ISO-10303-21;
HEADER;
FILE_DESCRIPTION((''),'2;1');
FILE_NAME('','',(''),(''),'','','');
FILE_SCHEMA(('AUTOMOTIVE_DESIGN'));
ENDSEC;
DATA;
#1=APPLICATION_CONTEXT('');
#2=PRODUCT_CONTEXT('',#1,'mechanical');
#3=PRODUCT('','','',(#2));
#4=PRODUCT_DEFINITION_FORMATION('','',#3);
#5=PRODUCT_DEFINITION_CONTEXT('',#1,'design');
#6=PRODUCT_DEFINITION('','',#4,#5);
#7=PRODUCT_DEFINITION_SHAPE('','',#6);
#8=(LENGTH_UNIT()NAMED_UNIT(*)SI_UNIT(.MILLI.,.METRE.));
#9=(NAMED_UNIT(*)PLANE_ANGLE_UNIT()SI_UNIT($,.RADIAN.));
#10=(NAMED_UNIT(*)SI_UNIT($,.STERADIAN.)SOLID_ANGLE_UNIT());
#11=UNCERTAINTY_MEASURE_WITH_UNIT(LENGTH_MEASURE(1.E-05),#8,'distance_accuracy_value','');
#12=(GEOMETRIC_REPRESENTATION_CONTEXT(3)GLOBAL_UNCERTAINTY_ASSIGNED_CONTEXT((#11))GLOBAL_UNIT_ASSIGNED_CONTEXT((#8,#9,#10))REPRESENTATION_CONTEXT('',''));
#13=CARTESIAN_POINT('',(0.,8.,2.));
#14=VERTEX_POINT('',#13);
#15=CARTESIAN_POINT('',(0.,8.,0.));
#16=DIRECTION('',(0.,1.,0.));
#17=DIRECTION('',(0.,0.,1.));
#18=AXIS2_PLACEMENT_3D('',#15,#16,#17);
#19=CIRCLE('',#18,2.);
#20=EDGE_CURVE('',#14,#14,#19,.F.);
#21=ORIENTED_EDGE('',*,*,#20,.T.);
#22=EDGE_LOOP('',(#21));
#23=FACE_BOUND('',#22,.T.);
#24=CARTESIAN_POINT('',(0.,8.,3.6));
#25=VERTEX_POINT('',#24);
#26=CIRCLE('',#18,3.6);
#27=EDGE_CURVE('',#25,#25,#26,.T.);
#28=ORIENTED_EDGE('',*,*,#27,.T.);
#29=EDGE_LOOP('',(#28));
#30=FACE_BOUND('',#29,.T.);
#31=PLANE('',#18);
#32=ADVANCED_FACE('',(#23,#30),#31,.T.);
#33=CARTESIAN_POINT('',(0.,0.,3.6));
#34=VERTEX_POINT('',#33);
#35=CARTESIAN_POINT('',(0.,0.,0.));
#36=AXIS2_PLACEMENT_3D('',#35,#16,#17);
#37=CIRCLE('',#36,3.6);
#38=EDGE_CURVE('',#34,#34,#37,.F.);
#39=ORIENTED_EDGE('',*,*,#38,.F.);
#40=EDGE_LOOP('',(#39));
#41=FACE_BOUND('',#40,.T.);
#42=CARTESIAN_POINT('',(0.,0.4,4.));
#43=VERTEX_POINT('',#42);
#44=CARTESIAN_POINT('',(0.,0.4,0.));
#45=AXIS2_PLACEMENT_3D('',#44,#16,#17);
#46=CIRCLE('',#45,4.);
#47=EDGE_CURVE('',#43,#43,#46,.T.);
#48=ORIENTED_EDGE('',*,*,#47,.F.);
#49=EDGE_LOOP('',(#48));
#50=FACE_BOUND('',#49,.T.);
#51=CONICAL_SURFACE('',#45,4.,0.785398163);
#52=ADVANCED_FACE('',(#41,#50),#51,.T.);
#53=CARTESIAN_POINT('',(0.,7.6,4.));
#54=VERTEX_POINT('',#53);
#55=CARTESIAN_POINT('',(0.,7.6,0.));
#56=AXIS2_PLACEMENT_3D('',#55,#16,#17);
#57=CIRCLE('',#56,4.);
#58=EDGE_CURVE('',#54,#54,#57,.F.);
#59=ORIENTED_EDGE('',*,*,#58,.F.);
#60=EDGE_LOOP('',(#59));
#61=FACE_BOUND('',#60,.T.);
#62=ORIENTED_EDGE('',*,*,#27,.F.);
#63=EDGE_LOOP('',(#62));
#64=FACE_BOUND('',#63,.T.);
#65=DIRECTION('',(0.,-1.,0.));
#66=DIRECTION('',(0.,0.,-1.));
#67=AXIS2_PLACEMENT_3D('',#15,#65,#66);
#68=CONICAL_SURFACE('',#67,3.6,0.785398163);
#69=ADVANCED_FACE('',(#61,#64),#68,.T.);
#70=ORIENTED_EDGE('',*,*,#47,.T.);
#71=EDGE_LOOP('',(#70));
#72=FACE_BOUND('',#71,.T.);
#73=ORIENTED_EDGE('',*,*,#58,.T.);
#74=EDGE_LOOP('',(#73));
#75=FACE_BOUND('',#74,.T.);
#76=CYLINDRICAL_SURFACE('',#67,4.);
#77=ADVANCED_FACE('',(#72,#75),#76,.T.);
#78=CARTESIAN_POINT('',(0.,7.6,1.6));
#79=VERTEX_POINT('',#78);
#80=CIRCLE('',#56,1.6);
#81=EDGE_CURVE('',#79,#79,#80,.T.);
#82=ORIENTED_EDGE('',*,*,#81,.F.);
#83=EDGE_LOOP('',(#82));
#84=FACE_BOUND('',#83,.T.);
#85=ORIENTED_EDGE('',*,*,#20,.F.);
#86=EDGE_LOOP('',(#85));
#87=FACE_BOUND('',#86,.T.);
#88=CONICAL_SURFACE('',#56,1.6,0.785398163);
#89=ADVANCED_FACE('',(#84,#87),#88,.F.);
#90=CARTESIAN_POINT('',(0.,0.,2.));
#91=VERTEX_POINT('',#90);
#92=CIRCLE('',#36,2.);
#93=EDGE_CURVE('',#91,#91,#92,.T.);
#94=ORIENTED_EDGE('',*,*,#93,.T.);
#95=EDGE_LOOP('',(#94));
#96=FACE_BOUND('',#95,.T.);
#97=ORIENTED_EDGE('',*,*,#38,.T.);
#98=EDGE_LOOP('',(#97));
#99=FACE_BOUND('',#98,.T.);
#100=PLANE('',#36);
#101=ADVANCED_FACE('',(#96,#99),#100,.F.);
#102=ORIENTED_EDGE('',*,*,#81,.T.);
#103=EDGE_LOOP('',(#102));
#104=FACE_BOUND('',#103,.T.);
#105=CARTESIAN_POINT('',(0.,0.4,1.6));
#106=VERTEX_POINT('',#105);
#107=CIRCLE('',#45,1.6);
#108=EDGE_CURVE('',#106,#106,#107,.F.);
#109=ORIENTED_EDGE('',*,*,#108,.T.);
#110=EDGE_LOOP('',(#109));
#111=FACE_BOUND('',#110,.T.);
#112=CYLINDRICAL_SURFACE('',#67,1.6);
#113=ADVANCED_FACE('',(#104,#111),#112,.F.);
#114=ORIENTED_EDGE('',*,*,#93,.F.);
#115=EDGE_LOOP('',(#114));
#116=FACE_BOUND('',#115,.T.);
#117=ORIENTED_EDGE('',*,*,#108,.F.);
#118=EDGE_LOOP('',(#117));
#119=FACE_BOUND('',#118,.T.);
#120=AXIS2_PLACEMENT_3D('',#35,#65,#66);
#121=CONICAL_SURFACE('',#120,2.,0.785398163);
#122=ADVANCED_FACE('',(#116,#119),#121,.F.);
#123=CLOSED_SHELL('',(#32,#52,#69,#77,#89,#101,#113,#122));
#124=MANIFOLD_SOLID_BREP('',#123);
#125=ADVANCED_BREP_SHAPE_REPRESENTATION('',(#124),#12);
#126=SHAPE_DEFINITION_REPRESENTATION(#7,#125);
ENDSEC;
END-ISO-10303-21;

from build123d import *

# Parameters (mm, degrees)
SKETCH1_R           = 4
SKETCH1_R_2         = 1.6
BOSS_EXTRUDE1_DEPTH = 8
CHAMFER1_SIZE       = 0.4


with BuildPart() as part:
    # Sketch1 → Boss-Extrude1 (new body)
    with BuildSketch(Plane(origin=(0, 0, 0), x_dir=(1, 0, 0), z_dir=(0, 1, 0))):
        Circle(SKETCH1_R)
        Circle(SKETCH1_R_2, mode=Mode.SUBTRACT)
    extrude(amount=BOSS_EXTRUDE1_DEPTH)

    # Chamfer1
    chamfer1_edges = [part.edges().sort_by_distance(p)[0] for p in [
        (-4, 0, 0),
        (-4, 8, 0),
        (-1.6, 0, 0),
        (-1.6, 8, 0),
    ]]
    chamfer(chamfer1_edges, length=CHAMFER1_SIZE)


solid = part.part
